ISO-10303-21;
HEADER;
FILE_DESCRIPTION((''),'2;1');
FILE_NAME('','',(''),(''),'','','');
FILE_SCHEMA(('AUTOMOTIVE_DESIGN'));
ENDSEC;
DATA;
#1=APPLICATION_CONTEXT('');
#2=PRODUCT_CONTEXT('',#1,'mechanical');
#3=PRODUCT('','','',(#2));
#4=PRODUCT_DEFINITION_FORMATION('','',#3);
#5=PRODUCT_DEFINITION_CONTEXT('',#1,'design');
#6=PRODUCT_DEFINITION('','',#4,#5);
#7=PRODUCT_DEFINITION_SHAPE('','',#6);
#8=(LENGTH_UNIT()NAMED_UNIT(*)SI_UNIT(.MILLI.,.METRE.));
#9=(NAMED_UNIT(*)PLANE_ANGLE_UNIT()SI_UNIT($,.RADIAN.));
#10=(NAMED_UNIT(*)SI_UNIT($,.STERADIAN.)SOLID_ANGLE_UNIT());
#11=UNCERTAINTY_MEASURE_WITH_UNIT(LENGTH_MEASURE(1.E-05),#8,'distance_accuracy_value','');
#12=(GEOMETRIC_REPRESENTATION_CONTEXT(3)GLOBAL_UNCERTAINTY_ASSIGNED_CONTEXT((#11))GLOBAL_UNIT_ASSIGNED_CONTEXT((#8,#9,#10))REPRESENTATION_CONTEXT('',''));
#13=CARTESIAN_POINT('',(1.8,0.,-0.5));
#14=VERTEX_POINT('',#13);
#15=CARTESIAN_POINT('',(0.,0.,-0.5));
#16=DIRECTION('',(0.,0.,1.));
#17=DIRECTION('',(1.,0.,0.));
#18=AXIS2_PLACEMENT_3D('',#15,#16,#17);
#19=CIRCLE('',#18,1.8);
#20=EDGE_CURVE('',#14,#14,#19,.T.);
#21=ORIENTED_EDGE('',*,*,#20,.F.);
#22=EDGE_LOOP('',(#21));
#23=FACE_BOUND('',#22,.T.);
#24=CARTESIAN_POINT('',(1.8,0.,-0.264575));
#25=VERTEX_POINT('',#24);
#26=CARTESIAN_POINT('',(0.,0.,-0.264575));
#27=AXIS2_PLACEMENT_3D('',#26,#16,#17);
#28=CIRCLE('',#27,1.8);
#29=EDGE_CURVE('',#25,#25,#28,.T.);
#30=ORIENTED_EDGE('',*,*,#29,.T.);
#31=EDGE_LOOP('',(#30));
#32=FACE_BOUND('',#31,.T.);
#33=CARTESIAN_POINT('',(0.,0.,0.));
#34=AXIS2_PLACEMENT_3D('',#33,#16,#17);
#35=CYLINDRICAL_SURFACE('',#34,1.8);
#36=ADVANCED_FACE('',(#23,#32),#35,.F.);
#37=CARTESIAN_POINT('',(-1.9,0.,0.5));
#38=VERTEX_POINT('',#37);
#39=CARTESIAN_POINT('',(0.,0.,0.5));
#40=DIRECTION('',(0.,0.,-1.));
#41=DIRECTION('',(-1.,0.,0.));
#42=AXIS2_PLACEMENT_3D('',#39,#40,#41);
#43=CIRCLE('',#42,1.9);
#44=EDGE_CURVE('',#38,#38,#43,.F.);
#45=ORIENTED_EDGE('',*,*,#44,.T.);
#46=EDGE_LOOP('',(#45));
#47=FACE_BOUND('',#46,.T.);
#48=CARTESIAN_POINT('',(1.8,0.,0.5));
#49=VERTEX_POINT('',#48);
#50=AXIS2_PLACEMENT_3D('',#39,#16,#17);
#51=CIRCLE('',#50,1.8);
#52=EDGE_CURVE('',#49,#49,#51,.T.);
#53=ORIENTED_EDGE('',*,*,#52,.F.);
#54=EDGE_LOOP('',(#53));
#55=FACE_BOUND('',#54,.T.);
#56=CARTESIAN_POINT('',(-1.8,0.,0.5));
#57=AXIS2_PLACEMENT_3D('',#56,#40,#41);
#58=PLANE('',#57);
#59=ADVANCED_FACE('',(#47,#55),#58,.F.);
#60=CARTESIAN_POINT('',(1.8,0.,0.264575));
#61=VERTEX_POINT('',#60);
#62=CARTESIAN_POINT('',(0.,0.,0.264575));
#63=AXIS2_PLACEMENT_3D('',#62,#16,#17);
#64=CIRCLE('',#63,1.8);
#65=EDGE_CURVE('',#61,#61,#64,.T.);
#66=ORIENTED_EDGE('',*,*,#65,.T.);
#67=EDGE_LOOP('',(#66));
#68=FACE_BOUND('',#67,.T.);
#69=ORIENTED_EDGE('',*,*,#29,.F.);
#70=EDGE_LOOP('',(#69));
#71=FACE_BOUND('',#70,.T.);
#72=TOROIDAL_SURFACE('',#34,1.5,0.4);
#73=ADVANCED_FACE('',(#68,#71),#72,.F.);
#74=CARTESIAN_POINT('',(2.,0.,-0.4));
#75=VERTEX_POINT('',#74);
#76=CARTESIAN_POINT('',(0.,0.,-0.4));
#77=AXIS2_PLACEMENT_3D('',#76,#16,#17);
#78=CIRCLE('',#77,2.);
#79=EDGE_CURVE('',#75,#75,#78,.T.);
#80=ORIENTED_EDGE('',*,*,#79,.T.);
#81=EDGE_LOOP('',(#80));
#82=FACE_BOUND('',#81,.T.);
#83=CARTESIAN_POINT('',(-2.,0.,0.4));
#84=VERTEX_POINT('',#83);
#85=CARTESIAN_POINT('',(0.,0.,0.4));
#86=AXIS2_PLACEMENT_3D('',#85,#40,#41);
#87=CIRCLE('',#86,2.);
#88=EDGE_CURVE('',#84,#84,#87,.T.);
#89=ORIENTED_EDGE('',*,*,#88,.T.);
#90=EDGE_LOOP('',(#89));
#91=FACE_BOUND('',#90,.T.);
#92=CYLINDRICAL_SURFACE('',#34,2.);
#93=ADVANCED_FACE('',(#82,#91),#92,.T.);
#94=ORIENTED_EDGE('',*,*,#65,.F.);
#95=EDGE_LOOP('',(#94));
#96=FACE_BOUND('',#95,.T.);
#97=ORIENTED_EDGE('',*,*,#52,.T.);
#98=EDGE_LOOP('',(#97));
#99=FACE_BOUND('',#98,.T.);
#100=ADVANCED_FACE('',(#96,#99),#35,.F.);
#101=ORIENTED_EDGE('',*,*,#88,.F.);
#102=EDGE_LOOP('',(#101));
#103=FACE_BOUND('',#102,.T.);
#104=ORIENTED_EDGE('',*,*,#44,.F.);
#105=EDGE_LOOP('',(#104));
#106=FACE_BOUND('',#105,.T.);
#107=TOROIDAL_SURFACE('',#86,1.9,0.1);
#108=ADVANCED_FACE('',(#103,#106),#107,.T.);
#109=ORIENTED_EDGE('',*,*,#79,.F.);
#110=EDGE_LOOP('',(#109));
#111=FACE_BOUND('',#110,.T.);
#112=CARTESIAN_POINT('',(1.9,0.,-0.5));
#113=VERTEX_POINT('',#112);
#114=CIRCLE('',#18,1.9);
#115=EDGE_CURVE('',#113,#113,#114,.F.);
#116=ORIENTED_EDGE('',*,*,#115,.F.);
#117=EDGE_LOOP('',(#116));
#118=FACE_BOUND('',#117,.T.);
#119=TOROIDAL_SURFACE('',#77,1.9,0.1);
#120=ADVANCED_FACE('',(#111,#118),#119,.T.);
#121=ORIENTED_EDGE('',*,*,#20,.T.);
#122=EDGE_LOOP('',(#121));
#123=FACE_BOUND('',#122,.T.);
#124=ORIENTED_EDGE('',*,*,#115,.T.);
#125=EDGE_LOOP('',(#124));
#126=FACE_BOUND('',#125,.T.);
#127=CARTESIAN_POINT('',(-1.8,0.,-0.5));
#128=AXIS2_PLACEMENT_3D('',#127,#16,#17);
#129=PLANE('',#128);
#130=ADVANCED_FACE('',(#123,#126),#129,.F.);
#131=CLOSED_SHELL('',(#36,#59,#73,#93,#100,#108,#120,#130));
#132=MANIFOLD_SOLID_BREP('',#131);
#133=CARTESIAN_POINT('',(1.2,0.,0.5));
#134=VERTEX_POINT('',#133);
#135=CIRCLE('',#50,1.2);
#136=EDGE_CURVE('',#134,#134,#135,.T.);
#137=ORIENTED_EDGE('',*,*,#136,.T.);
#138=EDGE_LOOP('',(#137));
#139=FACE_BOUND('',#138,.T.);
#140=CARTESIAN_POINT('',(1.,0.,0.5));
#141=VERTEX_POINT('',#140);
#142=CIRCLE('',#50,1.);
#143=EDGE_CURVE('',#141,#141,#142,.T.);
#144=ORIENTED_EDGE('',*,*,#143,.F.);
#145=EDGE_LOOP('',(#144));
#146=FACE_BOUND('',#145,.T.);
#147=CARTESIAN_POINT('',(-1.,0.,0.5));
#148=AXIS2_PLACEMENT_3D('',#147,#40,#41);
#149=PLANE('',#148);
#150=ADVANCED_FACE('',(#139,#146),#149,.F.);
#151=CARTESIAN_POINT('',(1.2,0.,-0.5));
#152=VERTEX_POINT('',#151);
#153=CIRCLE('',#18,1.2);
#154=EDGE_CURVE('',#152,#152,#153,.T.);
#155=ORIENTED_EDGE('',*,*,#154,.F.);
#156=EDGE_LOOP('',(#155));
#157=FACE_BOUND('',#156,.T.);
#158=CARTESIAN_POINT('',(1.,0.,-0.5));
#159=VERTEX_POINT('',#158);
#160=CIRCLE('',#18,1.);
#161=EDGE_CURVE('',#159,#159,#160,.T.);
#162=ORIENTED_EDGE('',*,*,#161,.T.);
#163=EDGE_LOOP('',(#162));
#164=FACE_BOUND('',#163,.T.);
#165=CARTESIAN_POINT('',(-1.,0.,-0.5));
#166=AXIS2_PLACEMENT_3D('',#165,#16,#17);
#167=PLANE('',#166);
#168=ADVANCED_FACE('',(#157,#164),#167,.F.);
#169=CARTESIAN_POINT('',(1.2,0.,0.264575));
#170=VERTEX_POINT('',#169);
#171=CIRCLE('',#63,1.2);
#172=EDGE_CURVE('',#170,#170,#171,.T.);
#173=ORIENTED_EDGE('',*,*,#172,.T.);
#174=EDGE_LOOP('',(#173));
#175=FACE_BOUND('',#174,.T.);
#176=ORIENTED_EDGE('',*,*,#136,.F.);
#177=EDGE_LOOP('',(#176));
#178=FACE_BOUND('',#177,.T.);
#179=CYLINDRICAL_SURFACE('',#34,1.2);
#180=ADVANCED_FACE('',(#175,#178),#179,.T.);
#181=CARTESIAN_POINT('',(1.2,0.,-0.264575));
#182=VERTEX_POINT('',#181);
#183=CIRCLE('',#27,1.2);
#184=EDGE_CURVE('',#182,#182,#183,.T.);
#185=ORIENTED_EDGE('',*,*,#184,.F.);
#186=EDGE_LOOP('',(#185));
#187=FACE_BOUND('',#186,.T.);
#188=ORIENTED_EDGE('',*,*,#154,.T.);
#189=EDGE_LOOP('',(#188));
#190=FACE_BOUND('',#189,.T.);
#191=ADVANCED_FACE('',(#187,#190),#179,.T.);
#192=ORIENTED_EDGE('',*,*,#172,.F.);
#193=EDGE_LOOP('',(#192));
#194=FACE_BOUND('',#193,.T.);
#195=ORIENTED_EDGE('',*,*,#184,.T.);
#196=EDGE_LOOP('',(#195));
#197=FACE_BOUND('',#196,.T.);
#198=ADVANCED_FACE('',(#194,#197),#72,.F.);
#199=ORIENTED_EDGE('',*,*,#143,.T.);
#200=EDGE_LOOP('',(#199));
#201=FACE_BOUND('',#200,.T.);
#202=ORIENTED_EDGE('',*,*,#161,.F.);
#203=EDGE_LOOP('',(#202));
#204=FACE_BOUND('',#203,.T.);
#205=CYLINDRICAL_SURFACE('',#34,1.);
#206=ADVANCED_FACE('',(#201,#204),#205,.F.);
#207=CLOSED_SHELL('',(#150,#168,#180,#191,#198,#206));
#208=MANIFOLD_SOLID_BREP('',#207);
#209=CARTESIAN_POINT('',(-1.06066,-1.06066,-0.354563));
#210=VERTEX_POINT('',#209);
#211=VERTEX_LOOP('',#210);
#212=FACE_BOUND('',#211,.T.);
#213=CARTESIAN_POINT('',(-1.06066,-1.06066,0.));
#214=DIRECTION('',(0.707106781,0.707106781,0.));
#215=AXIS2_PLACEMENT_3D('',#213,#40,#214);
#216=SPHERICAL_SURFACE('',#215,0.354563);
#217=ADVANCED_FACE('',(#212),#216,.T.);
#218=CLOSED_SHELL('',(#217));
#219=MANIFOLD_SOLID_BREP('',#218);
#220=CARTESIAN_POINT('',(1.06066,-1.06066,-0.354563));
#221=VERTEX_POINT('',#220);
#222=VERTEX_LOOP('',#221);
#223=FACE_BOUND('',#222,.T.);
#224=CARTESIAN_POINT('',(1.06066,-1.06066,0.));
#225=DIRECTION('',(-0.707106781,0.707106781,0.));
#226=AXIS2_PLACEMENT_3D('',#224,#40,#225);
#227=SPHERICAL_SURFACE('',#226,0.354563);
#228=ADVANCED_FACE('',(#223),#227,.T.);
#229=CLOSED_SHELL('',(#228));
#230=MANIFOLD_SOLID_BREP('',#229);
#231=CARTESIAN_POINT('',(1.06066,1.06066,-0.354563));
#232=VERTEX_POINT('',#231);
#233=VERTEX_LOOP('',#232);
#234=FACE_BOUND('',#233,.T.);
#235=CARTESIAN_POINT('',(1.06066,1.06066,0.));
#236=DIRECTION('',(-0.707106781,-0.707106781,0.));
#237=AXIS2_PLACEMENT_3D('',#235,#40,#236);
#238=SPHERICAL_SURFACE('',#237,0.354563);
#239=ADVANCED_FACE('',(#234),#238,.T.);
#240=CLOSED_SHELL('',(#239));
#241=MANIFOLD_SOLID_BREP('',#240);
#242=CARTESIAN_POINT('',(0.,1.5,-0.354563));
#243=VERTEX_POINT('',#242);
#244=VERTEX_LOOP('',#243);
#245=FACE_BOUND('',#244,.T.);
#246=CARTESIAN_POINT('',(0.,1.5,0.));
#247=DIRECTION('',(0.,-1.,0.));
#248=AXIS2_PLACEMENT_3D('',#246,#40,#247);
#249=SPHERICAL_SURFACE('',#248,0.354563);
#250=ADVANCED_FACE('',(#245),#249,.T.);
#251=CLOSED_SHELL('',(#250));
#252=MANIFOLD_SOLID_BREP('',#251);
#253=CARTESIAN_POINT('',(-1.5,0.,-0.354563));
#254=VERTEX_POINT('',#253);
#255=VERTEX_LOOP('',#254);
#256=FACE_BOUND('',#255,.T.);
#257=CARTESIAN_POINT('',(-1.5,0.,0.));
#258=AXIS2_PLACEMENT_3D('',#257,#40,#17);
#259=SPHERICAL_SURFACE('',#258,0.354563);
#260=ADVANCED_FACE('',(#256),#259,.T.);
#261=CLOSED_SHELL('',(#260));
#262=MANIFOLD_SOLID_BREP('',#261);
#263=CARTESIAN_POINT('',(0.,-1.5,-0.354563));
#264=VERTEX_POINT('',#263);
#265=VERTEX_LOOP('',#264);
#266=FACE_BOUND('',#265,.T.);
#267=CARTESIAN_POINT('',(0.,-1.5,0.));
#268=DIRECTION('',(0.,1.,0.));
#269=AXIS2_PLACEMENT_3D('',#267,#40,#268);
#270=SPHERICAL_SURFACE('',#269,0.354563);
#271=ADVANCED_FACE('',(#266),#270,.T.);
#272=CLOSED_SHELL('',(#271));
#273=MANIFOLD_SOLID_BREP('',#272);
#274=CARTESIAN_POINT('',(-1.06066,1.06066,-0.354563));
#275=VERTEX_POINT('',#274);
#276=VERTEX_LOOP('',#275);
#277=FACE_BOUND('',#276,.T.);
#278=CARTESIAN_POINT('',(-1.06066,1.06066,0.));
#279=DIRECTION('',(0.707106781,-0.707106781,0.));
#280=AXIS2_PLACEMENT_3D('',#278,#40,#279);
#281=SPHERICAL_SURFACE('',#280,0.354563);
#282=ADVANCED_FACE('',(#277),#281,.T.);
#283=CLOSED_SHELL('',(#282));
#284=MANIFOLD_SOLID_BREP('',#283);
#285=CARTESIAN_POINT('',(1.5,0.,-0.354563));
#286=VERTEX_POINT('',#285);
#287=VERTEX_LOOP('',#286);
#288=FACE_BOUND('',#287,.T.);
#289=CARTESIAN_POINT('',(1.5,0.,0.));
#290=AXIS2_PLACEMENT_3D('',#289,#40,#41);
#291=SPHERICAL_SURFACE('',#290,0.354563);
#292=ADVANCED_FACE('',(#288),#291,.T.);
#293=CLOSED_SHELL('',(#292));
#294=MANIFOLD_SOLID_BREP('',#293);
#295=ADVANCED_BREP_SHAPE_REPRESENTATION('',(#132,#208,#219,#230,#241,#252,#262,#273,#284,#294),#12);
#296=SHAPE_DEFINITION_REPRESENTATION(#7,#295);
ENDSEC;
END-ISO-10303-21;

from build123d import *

# Parameters (mm, degrees)
CIRPATTERN1_COUNT = 8
FILLET1_R         = 0.1
FILLET2_R         = 0.1


with BuildPart() as part:
    # Sketch3 → Revolve1 (revolve)
    with BuildSketch(Plane(origin=(0, 0, 0), x_dir=(1, 0, 0), z_dir=(0, 1, 0))):
        with BuildLine():
            Line((-1.5, 0.354562901), (-1.5, -0.354562901))
            ThreePointArc((-1.5, -0.354562901), (-1.145437099, 0), (-1.5, 0.354562901))
        make_face()
    revolve(axis=Axis((-1.5, 0, -0.354562901), (0, 0, 1)))


with BuildPart() as body_2:
    # Sketch2 → Revolve2 (revolve)
    with BuildSketch(Plane(origin=(0, 0, 0), x_dir=(1, 0, 0), z_dir=(0, 1, 0)), mode=Mode.PRIVATE) as revolve2_sk:
        with BuildLine():
            Line((-1, 0.5), (-1.2, 0.5))
            Line((-1.2, 0.5), (-1.2, 0.264575131))
            ThreePointArc((-1.2, 0.264575131), (-1.1, 0), (-1.2, -0.264575131))
            Line((-1.2, -0.264575131), (-1.2, -0.5))
            Line((-1.2, -0.5), (-1, -0.5))
            Line((-1, -0.5), (-1, 0.5))
        make_face()
        with BuildLine():
            Line((-1.8, 0.5), (-2, 0.5))
            Line((-2, 0.5), (-2, -0.5))
            Line((-2, -0.5), (-1.8, -0.5))
            Line((-1.8, -0.5), (-1.8, -0.264575131))
            ThreePointArc((-1.8, -0.264575131), (-1.9, 0), (-1.8, 0.264575131))
            Line((-1.8, 0.264575131), (-1.8, 0.5))
        make_face()
    revolve(revolve2_sk.sketch.rotate(Axis((0, 0, 0), (0, 0, -1)), 180), axis=Axis((0, 0, 0), (0, 0, -1)))

    # Fillet1
    fillet1_edges = [body_2.edges().sort_by_distance(p)[0] for p in [
        (-2, 0, -0.5),
    ]]
    fillet(fillet1_edges, radius=FILLET1_R)

    # Fillet2
    fillet2_edges = [body_2.edges().sort_by_distance(p)[0] for p in [
        (-2, 0, 0.5),
    ]]
    fillet(fillet2_edges, radius=FILLET2_R)


with BuildPart() as cirpattern1_1:
    # CirPattern1: pattern copy
    add(part.part.rotate(Axis((0, 0, 0), (0, 0, 1)), 1 * 360 / CIRPATTERN1_COUNT))


with BuildPart() as cirpattern1_2:
    # CirPattern1: pattern copy
    add(part.part.rotate(Axis((0, 0, 0), (0, 0, 1)), 2 * 360 / CIRPATTERN1_COUNT))


with BuildPart() as cirpattern1_3:
    # CirPattern1: pattern copy
    add(part.part.rotate(Axis((0, 0, 0), (0, 0, 1)), 3 * 360 / CIRPATTERN1_COUNT))


with BuildPart() as cirpattern1_4:
    # CirPattern1: pattern copy
    add(part.part.rotate(Axis((0, 0, 0), (0, 0, 1)), 4 * 360 / CIRPATTERN1_COUNT))


with BuildPart() as cirpattern1_5:
    # CirPattern1: pattern copy
    add(part.part.rotate(Axis((0, 0, 0), (0, 0, 1)), 5 * 360 / CIRPATTERN1_COUNT))


with BuildPart() as cirpattern1_6:
    # CirPattern1: pattern copy
    add(part.part.rotate(Axis((0, 0, 0), (0, 0, 1)), 6 * 360 / CIRPATTERN1_COUNT))


with BuildPart() as cirpattern1_7:
    # CirPattern1: pattern copy
    add(part.part.rotate(Axis((0, 0, 0), (0, 0, 1)), 7 * 360 / CIRPATTERN1_COUNT))


solid = Compound([part.part, body_2.part, cirpattern1_1.part, cirpattern1_2.part, cirpattern1_3.part, cirpattern1_4.part, cirpattern1_5.part, cirpattern1_6.part, cirpattern1_7.part])
